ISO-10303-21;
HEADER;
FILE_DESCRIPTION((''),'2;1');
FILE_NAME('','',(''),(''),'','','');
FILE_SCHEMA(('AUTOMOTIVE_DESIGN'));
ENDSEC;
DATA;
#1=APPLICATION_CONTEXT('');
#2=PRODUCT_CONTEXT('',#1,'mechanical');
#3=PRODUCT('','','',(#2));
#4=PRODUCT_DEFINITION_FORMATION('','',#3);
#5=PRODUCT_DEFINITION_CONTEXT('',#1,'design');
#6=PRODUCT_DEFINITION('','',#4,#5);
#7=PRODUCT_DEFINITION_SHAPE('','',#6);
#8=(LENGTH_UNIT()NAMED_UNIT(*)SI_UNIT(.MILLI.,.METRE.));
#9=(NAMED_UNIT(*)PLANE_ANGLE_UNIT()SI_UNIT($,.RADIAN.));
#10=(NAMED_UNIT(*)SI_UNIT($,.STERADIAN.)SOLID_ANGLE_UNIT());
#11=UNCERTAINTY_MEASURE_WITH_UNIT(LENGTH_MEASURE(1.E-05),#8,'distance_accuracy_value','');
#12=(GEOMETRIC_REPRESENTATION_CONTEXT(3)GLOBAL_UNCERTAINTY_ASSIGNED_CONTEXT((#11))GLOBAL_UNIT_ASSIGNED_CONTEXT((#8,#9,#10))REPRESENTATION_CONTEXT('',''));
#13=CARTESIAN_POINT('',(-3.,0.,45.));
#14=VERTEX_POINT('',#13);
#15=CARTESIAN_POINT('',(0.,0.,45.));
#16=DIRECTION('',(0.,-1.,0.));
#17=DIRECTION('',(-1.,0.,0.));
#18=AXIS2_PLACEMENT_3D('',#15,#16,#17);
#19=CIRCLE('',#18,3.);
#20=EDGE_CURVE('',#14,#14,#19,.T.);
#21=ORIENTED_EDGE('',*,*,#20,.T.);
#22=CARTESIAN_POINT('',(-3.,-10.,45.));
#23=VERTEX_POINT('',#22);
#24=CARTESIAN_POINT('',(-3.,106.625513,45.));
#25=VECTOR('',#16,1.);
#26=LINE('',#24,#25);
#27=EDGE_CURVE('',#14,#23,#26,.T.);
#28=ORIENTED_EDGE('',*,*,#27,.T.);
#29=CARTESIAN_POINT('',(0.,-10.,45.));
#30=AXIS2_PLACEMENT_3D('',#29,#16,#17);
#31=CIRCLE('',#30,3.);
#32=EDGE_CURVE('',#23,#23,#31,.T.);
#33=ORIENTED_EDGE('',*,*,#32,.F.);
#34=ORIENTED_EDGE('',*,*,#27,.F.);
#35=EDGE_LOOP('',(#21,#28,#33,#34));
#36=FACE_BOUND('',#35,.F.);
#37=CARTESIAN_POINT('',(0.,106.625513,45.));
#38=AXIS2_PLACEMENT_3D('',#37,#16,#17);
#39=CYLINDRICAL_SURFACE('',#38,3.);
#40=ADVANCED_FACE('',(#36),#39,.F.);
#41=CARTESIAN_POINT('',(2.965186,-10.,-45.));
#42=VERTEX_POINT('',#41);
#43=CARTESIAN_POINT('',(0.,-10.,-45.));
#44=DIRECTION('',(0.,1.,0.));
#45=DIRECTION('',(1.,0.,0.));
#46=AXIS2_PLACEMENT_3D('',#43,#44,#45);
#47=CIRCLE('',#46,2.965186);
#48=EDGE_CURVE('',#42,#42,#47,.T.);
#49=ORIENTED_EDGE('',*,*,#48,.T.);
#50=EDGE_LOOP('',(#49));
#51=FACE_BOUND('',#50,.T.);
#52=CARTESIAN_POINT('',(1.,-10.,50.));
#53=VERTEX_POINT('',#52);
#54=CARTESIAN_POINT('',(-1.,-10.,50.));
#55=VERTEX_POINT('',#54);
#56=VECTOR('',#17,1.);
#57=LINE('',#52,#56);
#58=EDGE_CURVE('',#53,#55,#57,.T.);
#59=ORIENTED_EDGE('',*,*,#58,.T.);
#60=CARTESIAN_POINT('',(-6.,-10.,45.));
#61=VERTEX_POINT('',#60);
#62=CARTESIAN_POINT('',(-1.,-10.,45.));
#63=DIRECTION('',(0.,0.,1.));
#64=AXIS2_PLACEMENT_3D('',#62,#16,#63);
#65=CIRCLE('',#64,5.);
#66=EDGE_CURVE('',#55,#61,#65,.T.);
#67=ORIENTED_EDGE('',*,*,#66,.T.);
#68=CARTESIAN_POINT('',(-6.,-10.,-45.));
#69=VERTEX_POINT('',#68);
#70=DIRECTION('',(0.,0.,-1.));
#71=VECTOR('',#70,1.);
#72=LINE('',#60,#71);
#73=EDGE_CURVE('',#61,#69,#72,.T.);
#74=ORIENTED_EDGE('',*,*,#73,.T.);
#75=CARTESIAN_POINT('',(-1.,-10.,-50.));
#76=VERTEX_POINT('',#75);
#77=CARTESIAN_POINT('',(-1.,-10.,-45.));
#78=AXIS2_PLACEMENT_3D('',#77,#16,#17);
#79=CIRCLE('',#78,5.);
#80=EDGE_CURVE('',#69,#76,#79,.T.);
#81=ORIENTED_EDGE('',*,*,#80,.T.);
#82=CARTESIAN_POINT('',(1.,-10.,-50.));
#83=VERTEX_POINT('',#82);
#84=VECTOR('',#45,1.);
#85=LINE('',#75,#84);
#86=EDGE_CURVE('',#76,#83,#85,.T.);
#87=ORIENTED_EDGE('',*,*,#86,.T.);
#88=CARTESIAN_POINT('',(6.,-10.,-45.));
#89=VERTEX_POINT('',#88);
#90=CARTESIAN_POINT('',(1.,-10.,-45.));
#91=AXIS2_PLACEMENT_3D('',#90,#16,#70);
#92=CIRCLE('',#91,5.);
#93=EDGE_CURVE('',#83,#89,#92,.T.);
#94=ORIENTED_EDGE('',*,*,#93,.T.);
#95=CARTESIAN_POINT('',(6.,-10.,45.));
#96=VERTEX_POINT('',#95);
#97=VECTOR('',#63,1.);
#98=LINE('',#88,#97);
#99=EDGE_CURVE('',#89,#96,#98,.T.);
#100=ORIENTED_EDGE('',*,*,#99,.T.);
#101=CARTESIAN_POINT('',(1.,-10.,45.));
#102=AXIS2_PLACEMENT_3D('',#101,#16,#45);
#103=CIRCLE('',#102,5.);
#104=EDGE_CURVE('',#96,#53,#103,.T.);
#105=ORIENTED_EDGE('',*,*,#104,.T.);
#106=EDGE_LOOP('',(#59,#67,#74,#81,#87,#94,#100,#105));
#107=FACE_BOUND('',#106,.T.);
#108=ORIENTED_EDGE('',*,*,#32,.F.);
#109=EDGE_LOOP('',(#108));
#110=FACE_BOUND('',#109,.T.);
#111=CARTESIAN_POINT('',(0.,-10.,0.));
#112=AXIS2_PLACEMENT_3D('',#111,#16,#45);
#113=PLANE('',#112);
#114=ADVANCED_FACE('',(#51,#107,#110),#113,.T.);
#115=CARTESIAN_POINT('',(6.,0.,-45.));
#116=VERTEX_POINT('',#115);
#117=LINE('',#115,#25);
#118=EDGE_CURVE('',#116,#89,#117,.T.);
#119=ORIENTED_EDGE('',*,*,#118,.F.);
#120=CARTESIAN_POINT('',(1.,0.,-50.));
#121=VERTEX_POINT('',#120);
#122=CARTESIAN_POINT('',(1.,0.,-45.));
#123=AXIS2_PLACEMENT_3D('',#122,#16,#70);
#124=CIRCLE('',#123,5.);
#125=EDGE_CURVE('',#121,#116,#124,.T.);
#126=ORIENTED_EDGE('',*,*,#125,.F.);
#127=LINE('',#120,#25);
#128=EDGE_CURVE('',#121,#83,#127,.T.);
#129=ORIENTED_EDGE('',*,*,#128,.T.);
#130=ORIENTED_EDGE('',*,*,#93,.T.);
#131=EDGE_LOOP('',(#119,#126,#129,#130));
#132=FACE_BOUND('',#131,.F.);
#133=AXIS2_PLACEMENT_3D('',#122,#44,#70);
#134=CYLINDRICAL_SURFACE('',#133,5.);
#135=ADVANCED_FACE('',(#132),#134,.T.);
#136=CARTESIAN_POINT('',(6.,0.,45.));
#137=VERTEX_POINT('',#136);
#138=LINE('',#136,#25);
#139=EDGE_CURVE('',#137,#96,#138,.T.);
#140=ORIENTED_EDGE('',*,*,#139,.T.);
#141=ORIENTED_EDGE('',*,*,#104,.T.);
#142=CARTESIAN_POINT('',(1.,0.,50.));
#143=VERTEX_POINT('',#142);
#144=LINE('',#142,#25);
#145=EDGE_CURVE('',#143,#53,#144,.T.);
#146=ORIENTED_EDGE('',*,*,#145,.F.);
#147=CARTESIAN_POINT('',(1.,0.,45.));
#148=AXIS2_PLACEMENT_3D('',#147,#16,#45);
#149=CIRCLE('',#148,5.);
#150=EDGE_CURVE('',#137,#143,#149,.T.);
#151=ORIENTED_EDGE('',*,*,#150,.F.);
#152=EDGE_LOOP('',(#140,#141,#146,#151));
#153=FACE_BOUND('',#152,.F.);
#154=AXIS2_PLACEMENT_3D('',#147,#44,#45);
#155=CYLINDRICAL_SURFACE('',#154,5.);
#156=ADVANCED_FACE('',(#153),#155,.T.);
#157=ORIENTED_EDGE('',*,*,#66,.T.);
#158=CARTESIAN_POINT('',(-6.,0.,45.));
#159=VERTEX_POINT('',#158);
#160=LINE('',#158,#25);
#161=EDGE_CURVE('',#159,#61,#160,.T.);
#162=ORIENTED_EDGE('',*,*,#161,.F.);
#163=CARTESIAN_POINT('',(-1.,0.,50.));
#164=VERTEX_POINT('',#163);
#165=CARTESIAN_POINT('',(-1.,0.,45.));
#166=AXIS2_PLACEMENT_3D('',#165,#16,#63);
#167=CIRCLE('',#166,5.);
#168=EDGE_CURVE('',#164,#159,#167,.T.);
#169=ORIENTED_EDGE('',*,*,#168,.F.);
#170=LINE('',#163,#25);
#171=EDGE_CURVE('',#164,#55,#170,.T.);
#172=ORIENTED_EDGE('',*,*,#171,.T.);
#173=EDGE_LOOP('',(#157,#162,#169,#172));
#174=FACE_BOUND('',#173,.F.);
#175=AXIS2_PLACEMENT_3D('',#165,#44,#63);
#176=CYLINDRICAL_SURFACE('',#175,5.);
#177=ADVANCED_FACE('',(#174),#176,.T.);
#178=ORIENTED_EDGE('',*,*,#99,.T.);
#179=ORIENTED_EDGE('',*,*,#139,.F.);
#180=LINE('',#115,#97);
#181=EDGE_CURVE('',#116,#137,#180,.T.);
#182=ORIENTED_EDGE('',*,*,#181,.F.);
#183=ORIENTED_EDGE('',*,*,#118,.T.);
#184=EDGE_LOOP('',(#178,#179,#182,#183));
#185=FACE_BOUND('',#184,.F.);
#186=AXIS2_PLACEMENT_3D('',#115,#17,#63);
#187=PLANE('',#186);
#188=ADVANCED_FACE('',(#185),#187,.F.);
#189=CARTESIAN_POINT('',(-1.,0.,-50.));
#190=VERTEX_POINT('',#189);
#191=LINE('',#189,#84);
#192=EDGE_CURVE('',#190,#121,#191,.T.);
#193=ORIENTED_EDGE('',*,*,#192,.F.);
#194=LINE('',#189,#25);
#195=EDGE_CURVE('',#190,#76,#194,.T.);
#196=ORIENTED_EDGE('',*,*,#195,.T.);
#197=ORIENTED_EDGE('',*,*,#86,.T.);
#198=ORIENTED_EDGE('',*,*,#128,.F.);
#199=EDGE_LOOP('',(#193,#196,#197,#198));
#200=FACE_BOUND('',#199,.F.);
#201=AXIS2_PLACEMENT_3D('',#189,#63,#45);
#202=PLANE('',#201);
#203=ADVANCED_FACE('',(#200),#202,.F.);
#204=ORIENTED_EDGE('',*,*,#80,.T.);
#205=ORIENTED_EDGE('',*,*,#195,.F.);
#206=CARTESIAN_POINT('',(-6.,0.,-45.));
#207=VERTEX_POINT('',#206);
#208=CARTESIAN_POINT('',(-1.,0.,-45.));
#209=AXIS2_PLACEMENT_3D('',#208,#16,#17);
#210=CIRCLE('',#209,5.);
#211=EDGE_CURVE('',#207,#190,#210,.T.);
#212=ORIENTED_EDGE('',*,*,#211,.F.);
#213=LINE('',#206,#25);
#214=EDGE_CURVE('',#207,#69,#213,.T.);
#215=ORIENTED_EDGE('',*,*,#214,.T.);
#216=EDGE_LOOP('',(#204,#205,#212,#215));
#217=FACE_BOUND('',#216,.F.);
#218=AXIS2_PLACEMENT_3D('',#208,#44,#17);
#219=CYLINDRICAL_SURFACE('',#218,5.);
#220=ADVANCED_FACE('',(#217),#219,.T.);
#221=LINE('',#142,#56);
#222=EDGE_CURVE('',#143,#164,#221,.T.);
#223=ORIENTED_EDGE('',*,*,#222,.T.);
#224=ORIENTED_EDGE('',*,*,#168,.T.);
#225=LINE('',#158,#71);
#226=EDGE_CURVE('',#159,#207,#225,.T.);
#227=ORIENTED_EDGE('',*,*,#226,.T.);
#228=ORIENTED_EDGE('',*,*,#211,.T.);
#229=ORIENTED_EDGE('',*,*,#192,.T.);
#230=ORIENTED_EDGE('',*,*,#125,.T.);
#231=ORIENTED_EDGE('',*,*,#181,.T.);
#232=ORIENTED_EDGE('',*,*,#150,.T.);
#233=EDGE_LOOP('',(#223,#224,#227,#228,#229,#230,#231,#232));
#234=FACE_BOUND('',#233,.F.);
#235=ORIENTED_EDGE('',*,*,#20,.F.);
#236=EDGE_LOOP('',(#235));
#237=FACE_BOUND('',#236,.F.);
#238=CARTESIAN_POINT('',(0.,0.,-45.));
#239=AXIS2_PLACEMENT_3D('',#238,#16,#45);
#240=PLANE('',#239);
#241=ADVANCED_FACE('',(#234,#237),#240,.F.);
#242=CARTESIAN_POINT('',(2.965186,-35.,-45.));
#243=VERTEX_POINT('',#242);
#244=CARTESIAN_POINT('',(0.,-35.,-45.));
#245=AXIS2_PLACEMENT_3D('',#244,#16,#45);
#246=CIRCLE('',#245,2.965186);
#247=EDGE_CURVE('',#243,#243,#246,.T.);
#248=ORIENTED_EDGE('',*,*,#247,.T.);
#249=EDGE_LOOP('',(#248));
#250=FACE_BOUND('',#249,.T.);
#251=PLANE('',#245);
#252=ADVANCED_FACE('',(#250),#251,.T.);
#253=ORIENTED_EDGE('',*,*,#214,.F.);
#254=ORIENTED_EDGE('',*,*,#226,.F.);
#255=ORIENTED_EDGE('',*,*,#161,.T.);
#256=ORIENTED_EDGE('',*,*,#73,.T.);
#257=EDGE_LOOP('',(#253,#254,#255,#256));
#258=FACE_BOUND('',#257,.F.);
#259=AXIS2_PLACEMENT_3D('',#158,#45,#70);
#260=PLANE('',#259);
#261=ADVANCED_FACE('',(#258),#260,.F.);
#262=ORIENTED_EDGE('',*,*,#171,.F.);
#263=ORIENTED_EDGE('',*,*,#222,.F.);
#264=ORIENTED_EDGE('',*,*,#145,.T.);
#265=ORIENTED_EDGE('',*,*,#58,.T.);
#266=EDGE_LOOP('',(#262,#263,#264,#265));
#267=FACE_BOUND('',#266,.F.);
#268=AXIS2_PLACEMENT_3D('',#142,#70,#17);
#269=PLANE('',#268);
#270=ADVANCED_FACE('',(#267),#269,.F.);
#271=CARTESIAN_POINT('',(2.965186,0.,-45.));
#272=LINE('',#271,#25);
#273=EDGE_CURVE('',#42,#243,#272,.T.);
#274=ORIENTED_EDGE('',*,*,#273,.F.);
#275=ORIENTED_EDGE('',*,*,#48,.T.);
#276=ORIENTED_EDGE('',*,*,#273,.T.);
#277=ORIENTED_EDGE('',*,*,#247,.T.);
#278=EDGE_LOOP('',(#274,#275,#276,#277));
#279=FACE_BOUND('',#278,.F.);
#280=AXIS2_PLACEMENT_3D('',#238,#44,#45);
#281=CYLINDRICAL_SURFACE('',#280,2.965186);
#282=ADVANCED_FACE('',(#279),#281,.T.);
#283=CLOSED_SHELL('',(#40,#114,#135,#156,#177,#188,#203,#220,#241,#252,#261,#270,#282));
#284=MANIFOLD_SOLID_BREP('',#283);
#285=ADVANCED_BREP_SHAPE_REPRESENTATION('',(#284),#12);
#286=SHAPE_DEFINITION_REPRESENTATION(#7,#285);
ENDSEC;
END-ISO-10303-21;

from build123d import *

# Parameters (mm, degrees)
F0_R     = 2.9651856051
F1_DEPTH = 10
F2_DEPTH = 35
F3_D     = 6


with BuildPart() as f1:
    # F0 (on Front) → F1 (new body)
    with BuildSketch(Plane.XZ):
        with BuildLine():
            Line((1, 50), (-1, 50))
            ThreePointArc((-1, 50), (-4.5355339059, 48.5355339059), (-6, 45))
            Line((-6, 45), (-6, -45))
            ThreePointArc((-6, -45), (-4.5355339059, -48.5355339059), (-1, -50))
            Line((-1, -50), (1, -50))
            ThreePointArc((1, -50), (4.5355339059, -48.5355339059), (6, -45))
            Line((6, -45), (6, 45))
            ThreePointArc((6, 45), (4.5355339059, 48.5355339059), (1, 50))
        make_face()
        with Locations((0, -45)):
            Circle(F0_R, mode=Mode.SUBTRACT)
        with Locations((0, -45)):
            Circle(F0_R)
    extrude(amount=F1_DEPTH)

    # F0 (on Front) → F2 (join)
    with BuildSketch(Plane.XZ):
        with Locations((0, -45)):
            Circle(F0_R)
    extrude(amount=F2_DEPTH)

    # F3 (through all)
    with Locations(Plane(origin=(0, 0, 0), x_dir=(1, 0, 0), z_dir=(0, 1, 0))):
        with Locations((0, -45)):
            Hole(F3_D / 2)


solid = f1.part
